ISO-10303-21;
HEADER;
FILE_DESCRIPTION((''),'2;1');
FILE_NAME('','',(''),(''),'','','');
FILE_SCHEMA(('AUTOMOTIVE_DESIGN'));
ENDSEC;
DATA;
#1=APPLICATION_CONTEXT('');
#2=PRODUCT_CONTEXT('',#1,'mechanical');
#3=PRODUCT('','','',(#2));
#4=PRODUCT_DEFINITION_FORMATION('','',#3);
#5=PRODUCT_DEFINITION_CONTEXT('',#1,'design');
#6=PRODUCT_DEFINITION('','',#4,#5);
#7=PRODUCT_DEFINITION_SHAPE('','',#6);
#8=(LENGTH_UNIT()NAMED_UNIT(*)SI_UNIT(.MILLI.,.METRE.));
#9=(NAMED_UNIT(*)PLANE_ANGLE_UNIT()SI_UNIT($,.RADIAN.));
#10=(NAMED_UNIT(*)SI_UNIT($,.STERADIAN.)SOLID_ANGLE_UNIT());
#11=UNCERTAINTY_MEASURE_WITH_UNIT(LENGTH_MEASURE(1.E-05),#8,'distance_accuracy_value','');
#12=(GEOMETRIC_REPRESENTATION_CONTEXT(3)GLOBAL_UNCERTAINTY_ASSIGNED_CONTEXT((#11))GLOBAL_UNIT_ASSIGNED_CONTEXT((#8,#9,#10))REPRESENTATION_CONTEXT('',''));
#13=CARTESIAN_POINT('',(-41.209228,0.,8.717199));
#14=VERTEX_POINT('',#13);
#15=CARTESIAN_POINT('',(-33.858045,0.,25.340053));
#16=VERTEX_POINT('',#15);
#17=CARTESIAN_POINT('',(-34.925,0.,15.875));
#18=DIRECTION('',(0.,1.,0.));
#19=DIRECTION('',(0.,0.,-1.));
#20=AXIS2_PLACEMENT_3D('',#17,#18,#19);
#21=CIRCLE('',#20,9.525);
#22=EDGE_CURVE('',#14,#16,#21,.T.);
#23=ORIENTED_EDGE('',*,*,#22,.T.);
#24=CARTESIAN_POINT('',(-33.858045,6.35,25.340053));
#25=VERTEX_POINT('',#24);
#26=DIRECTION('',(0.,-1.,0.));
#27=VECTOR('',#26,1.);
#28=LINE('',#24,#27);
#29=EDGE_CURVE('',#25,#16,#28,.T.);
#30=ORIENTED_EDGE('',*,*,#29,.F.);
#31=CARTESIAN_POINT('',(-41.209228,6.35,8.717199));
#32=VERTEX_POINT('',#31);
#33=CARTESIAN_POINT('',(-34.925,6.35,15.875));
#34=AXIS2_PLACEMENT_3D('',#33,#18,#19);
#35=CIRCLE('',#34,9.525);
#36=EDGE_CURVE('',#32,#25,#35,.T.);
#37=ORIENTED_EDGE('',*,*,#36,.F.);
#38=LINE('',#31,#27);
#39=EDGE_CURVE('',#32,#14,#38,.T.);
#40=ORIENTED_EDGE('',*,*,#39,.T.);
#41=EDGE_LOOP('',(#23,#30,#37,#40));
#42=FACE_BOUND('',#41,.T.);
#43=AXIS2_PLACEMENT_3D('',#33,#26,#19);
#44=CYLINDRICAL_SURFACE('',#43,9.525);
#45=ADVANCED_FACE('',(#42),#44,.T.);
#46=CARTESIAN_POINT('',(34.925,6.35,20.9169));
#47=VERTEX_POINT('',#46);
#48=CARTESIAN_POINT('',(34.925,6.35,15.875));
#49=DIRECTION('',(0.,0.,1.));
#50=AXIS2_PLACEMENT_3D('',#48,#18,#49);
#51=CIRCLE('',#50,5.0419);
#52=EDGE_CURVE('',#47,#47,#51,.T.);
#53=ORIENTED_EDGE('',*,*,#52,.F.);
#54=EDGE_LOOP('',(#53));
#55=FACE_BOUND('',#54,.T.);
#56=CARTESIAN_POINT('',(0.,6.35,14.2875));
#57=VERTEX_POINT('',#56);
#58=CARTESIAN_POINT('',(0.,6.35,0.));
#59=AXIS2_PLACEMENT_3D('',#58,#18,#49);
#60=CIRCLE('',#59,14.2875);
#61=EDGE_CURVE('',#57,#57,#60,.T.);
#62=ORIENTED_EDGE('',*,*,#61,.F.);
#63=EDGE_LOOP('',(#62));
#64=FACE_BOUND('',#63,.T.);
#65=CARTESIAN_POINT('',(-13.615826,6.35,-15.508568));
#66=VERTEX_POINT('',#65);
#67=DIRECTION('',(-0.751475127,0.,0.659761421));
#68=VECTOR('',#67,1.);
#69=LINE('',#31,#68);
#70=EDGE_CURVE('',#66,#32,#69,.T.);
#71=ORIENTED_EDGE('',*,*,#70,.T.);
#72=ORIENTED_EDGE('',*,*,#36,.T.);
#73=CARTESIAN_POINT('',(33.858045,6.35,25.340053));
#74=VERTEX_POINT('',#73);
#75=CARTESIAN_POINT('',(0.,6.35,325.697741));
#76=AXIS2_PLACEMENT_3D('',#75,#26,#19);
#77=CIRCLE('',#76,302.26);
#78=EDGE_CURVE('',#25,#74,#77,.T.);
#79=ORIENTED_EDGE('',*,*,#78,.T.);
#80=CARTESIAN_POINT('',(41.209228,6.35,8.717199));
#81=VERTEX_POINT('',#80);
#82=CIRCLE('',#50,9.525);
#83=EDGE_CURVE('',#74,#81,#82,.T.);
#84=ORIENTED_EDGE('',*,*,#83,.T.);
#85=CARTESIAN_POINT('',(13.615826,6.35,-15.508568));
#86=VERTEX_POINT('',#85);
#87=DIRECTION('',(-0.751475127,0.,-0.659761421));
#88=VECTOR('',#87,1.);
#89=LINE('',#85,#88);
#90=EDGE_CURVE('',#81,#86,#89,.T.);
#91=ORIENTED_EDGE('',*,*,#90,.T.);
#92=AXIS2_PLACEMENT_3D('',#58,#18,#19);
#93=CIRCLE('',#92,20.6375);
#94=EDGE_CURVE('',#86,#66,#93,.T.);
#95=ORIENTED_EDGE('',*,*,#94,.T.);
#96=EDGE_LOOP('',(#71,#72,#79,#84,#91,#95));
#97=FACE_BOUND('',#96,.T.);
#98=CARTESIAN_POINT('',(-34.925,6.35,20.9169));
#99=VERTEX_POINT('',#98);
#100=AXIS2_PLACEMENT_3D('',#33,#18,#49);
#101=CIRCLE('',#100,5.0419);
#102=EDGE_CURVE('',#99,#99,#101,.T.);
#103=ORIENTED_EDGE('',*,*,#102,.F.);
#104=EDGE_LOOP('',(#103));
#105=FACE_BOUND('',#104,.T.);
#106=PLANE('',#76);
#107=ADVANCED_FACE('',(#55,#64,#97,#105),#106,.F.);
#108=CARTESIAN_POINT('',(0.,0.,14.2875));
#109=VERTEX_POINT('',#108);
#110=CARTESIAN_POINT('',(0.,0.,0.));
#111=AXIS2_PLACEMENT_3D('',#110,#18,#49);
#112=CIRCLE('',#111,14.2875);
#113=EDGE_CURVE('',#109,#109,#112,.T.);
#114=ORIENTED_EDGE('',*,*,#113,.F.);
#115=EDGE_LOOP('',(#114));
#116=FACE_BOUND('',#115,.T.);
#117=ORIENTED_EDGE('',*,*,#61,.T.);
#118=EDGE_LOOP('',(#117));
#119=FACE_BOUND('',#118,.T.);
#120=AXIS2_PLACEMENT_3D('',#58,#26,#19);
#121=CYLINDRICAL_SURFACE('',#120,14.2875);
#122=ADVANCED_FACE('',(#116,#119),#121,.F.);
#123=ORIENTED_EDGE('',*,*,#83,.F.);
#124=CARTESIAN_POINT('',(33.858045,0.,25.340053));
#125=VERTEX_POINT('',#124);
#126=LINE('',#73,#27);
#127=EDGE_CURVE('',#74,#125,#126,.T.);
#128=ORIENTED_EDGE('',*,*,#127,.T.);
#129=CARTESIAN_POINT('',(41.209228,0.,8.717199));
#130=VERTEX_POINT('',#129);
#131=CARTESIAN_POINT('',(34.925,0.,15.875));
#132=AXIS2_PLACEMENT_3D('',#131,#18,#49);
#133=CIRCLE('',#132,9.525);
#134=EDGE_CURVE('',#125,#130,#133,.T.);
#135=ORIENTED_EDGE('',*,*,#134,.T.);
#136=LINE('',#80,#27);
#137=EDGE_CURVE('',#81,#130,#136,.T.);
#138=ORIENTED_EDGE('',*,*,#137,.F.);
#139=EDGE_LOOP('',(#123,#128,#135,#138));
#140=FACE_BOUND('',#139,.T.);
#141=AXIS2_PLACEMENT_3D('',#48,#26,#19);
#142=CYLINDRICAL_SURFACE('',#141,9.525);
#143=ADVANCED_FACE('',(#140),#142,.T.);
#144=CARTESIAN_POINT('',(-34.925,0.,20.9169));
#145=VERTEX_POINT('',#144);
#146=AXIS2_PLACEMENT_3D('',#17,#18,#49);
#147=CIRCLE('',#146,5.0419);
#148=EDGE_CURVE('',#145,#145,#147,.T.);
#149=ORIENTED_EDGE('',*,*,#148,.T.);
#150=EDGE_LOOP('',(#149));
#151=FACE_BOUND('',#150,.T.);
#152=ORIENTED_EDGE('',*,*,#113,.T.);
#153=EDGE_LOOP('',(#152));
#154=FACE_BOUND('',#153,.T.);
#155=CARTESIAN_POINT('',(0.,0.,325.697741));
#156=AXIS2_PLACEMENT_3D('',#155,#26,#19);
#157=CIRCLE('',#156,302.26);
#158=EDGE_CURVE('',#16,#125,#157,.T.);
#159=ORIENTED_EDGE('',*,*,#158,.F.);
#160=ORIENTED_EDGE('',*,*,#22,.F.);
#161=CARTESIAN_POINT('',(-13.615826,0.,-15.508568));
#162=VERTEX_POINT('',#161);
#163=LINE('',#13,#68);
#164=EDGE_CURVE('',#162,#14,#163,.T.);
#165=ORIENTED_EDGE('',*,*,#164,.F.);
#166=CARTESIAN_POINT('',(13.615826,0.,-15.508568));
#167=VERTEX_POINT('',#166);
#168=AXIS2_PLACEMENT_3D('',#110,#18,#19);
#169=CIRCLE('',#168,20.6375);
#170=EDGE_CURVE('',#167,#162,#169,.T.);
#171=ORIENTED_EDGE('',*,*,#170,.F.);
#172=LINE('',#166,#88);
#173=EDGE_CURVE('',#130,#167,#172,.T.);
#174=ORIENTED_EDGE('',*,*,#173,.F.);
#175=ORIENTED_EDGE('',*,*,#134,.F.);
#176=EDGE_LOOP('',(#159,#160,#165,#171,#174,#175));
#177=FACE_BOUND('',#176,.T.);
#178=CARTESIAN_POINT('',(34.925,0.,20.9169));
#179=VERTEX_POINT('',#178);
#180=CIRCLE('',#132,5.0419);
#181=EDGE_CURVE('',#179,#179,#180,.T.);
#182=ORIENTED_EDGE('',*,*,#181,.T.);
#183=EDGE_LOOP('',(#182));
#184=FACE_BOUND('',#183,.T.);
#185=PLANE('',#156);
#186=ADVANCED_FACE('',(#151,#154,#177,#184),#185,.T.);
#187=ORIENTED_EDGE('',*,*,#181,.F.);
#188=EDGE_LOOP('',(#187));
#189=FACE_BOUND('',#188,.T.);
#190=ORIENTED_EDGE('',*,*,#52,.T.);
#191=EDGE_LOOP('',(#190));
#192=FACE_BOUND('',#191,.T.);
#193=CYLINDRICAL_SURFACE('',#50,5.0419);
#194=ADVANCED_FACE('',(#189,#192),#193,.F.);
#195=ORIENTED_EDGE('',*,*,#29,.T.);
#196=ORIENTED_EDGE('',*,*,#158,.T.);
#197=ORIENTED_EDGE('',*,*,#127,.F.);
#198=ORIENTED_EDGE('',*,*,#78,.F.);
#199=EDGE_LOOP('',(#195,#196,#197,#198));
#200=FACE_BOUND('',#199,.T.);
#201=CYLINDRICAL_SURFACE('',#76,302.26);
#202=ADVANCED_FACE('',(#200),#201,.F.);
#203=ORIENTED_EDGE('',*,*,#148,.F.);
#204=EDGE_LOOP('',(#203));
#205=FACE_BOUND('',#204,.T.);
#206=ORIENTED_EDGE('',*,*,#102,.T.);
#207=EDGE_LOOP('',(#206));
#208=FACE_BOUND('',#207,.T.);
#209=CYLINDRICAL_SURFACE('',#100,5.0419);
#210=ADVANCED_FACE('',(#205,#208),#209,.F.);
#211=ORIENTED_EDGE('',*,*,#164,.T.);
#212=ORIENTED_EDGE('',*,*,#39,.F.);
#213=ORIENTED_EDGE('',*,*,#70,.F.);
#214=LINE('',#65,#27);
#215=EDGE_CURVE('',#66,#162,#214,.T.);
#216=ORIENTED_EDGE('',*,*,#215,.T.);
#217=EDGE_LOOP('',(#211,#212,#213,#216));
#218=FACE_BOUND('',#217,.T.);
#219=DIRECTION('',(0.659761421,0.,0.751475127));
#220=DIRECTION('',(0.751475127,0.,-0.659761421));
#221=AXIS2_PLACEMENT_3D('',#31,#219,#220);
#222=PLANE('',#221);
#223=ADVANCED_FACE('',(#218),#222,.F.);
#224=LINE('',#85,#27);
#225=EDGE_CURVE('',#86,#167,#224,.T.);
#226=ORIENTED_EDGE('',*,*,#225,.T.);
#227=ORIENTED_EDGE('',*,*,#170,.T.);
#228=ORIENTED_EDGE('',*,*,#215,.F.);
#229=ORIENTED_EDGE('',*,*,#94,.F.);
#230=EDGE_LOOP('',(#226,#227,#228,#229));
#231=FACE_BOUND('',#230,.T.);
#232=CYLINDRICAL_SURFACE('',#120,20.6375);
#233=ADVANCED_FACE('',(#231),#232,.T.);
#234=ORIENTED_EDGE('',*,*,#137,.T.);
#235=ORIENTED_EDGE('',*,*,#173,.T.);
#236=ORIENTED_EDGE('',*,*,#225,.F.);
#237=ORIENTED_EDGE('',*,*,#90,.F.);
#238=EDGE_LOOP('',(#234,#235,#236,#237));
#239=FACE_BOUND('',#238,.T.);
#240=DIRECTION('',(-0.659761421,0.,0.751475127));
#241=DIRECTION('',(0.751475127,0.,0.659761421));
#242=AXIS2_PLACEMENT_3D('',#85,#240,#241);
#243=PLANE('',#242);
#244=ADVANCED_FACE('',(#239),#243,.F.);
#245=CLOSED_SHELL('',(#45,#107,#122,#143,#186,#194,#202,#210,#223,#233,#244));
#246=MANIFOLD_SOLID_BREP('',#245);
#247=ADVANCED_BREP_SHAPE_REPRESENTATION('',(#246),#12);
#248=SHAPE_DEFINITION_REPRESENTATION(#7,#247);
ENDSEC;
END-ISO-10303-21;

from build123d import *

# Parameters (mm, degrees)
SKETCH1_R               = 14.2875
BOSS_EXTRUDE1_DEPTH     = 6.35
F_3_8_CLEARANCE_HOLE1_D = 10.0838


with BuildPart() as part:
    # Sketch1 → Boss-Extrude1 (new body)
    with BuildSketch(Plane(origin=(0, 0, 0), x_dir=(1, 0, 0), z_dir=(0, 1, 0))):
        with BuildLine():
            Line((-41.209227539, -8.717199414), (-13.615826335, 15.508567937))
            ThreePointArc((-13.615826335, 15.508567937), (0, 20.6375), (13.615826335, 15.508567937))
            Line((13.615826335, 15.508567937), (41.209227539, -8.717199414))
            ThreePointArc((41.209227539, -8.717199414), (43.636188178, -19.727379203), (33.858044807, -25.340053176))
            ThreePointArc((33.858044807, -25.340053176), (0, -23.437740611), (-33.858044807, -25.340053176))
            ThreePointArc((-33.858044807, -25.340053176), (-43.636188178, -19.727379203), (-41.209227539, -8.717199414))
        make_face()
        with Locations(Location((0, 0, 0), (0, 0, 270))):
            Circle(SKETCH1_R, mode=Mode.SUBTRACT)
    extrude(amount=BOSS_EXTRUDE1_DEPTH)

    # 3/8 Clearance Hole1 (through all)
    with Locations(Plane(origin=(0, 6.35, 0), x_dir=(1, 0, 0), z_dir=(0, 1, 0))):
        with Locations((-34.925, -15.875), (34.925, -15.875)):
            Hole(F_3_8_CLEARANCE_HOLE1_D / 2)


solid = part.part
